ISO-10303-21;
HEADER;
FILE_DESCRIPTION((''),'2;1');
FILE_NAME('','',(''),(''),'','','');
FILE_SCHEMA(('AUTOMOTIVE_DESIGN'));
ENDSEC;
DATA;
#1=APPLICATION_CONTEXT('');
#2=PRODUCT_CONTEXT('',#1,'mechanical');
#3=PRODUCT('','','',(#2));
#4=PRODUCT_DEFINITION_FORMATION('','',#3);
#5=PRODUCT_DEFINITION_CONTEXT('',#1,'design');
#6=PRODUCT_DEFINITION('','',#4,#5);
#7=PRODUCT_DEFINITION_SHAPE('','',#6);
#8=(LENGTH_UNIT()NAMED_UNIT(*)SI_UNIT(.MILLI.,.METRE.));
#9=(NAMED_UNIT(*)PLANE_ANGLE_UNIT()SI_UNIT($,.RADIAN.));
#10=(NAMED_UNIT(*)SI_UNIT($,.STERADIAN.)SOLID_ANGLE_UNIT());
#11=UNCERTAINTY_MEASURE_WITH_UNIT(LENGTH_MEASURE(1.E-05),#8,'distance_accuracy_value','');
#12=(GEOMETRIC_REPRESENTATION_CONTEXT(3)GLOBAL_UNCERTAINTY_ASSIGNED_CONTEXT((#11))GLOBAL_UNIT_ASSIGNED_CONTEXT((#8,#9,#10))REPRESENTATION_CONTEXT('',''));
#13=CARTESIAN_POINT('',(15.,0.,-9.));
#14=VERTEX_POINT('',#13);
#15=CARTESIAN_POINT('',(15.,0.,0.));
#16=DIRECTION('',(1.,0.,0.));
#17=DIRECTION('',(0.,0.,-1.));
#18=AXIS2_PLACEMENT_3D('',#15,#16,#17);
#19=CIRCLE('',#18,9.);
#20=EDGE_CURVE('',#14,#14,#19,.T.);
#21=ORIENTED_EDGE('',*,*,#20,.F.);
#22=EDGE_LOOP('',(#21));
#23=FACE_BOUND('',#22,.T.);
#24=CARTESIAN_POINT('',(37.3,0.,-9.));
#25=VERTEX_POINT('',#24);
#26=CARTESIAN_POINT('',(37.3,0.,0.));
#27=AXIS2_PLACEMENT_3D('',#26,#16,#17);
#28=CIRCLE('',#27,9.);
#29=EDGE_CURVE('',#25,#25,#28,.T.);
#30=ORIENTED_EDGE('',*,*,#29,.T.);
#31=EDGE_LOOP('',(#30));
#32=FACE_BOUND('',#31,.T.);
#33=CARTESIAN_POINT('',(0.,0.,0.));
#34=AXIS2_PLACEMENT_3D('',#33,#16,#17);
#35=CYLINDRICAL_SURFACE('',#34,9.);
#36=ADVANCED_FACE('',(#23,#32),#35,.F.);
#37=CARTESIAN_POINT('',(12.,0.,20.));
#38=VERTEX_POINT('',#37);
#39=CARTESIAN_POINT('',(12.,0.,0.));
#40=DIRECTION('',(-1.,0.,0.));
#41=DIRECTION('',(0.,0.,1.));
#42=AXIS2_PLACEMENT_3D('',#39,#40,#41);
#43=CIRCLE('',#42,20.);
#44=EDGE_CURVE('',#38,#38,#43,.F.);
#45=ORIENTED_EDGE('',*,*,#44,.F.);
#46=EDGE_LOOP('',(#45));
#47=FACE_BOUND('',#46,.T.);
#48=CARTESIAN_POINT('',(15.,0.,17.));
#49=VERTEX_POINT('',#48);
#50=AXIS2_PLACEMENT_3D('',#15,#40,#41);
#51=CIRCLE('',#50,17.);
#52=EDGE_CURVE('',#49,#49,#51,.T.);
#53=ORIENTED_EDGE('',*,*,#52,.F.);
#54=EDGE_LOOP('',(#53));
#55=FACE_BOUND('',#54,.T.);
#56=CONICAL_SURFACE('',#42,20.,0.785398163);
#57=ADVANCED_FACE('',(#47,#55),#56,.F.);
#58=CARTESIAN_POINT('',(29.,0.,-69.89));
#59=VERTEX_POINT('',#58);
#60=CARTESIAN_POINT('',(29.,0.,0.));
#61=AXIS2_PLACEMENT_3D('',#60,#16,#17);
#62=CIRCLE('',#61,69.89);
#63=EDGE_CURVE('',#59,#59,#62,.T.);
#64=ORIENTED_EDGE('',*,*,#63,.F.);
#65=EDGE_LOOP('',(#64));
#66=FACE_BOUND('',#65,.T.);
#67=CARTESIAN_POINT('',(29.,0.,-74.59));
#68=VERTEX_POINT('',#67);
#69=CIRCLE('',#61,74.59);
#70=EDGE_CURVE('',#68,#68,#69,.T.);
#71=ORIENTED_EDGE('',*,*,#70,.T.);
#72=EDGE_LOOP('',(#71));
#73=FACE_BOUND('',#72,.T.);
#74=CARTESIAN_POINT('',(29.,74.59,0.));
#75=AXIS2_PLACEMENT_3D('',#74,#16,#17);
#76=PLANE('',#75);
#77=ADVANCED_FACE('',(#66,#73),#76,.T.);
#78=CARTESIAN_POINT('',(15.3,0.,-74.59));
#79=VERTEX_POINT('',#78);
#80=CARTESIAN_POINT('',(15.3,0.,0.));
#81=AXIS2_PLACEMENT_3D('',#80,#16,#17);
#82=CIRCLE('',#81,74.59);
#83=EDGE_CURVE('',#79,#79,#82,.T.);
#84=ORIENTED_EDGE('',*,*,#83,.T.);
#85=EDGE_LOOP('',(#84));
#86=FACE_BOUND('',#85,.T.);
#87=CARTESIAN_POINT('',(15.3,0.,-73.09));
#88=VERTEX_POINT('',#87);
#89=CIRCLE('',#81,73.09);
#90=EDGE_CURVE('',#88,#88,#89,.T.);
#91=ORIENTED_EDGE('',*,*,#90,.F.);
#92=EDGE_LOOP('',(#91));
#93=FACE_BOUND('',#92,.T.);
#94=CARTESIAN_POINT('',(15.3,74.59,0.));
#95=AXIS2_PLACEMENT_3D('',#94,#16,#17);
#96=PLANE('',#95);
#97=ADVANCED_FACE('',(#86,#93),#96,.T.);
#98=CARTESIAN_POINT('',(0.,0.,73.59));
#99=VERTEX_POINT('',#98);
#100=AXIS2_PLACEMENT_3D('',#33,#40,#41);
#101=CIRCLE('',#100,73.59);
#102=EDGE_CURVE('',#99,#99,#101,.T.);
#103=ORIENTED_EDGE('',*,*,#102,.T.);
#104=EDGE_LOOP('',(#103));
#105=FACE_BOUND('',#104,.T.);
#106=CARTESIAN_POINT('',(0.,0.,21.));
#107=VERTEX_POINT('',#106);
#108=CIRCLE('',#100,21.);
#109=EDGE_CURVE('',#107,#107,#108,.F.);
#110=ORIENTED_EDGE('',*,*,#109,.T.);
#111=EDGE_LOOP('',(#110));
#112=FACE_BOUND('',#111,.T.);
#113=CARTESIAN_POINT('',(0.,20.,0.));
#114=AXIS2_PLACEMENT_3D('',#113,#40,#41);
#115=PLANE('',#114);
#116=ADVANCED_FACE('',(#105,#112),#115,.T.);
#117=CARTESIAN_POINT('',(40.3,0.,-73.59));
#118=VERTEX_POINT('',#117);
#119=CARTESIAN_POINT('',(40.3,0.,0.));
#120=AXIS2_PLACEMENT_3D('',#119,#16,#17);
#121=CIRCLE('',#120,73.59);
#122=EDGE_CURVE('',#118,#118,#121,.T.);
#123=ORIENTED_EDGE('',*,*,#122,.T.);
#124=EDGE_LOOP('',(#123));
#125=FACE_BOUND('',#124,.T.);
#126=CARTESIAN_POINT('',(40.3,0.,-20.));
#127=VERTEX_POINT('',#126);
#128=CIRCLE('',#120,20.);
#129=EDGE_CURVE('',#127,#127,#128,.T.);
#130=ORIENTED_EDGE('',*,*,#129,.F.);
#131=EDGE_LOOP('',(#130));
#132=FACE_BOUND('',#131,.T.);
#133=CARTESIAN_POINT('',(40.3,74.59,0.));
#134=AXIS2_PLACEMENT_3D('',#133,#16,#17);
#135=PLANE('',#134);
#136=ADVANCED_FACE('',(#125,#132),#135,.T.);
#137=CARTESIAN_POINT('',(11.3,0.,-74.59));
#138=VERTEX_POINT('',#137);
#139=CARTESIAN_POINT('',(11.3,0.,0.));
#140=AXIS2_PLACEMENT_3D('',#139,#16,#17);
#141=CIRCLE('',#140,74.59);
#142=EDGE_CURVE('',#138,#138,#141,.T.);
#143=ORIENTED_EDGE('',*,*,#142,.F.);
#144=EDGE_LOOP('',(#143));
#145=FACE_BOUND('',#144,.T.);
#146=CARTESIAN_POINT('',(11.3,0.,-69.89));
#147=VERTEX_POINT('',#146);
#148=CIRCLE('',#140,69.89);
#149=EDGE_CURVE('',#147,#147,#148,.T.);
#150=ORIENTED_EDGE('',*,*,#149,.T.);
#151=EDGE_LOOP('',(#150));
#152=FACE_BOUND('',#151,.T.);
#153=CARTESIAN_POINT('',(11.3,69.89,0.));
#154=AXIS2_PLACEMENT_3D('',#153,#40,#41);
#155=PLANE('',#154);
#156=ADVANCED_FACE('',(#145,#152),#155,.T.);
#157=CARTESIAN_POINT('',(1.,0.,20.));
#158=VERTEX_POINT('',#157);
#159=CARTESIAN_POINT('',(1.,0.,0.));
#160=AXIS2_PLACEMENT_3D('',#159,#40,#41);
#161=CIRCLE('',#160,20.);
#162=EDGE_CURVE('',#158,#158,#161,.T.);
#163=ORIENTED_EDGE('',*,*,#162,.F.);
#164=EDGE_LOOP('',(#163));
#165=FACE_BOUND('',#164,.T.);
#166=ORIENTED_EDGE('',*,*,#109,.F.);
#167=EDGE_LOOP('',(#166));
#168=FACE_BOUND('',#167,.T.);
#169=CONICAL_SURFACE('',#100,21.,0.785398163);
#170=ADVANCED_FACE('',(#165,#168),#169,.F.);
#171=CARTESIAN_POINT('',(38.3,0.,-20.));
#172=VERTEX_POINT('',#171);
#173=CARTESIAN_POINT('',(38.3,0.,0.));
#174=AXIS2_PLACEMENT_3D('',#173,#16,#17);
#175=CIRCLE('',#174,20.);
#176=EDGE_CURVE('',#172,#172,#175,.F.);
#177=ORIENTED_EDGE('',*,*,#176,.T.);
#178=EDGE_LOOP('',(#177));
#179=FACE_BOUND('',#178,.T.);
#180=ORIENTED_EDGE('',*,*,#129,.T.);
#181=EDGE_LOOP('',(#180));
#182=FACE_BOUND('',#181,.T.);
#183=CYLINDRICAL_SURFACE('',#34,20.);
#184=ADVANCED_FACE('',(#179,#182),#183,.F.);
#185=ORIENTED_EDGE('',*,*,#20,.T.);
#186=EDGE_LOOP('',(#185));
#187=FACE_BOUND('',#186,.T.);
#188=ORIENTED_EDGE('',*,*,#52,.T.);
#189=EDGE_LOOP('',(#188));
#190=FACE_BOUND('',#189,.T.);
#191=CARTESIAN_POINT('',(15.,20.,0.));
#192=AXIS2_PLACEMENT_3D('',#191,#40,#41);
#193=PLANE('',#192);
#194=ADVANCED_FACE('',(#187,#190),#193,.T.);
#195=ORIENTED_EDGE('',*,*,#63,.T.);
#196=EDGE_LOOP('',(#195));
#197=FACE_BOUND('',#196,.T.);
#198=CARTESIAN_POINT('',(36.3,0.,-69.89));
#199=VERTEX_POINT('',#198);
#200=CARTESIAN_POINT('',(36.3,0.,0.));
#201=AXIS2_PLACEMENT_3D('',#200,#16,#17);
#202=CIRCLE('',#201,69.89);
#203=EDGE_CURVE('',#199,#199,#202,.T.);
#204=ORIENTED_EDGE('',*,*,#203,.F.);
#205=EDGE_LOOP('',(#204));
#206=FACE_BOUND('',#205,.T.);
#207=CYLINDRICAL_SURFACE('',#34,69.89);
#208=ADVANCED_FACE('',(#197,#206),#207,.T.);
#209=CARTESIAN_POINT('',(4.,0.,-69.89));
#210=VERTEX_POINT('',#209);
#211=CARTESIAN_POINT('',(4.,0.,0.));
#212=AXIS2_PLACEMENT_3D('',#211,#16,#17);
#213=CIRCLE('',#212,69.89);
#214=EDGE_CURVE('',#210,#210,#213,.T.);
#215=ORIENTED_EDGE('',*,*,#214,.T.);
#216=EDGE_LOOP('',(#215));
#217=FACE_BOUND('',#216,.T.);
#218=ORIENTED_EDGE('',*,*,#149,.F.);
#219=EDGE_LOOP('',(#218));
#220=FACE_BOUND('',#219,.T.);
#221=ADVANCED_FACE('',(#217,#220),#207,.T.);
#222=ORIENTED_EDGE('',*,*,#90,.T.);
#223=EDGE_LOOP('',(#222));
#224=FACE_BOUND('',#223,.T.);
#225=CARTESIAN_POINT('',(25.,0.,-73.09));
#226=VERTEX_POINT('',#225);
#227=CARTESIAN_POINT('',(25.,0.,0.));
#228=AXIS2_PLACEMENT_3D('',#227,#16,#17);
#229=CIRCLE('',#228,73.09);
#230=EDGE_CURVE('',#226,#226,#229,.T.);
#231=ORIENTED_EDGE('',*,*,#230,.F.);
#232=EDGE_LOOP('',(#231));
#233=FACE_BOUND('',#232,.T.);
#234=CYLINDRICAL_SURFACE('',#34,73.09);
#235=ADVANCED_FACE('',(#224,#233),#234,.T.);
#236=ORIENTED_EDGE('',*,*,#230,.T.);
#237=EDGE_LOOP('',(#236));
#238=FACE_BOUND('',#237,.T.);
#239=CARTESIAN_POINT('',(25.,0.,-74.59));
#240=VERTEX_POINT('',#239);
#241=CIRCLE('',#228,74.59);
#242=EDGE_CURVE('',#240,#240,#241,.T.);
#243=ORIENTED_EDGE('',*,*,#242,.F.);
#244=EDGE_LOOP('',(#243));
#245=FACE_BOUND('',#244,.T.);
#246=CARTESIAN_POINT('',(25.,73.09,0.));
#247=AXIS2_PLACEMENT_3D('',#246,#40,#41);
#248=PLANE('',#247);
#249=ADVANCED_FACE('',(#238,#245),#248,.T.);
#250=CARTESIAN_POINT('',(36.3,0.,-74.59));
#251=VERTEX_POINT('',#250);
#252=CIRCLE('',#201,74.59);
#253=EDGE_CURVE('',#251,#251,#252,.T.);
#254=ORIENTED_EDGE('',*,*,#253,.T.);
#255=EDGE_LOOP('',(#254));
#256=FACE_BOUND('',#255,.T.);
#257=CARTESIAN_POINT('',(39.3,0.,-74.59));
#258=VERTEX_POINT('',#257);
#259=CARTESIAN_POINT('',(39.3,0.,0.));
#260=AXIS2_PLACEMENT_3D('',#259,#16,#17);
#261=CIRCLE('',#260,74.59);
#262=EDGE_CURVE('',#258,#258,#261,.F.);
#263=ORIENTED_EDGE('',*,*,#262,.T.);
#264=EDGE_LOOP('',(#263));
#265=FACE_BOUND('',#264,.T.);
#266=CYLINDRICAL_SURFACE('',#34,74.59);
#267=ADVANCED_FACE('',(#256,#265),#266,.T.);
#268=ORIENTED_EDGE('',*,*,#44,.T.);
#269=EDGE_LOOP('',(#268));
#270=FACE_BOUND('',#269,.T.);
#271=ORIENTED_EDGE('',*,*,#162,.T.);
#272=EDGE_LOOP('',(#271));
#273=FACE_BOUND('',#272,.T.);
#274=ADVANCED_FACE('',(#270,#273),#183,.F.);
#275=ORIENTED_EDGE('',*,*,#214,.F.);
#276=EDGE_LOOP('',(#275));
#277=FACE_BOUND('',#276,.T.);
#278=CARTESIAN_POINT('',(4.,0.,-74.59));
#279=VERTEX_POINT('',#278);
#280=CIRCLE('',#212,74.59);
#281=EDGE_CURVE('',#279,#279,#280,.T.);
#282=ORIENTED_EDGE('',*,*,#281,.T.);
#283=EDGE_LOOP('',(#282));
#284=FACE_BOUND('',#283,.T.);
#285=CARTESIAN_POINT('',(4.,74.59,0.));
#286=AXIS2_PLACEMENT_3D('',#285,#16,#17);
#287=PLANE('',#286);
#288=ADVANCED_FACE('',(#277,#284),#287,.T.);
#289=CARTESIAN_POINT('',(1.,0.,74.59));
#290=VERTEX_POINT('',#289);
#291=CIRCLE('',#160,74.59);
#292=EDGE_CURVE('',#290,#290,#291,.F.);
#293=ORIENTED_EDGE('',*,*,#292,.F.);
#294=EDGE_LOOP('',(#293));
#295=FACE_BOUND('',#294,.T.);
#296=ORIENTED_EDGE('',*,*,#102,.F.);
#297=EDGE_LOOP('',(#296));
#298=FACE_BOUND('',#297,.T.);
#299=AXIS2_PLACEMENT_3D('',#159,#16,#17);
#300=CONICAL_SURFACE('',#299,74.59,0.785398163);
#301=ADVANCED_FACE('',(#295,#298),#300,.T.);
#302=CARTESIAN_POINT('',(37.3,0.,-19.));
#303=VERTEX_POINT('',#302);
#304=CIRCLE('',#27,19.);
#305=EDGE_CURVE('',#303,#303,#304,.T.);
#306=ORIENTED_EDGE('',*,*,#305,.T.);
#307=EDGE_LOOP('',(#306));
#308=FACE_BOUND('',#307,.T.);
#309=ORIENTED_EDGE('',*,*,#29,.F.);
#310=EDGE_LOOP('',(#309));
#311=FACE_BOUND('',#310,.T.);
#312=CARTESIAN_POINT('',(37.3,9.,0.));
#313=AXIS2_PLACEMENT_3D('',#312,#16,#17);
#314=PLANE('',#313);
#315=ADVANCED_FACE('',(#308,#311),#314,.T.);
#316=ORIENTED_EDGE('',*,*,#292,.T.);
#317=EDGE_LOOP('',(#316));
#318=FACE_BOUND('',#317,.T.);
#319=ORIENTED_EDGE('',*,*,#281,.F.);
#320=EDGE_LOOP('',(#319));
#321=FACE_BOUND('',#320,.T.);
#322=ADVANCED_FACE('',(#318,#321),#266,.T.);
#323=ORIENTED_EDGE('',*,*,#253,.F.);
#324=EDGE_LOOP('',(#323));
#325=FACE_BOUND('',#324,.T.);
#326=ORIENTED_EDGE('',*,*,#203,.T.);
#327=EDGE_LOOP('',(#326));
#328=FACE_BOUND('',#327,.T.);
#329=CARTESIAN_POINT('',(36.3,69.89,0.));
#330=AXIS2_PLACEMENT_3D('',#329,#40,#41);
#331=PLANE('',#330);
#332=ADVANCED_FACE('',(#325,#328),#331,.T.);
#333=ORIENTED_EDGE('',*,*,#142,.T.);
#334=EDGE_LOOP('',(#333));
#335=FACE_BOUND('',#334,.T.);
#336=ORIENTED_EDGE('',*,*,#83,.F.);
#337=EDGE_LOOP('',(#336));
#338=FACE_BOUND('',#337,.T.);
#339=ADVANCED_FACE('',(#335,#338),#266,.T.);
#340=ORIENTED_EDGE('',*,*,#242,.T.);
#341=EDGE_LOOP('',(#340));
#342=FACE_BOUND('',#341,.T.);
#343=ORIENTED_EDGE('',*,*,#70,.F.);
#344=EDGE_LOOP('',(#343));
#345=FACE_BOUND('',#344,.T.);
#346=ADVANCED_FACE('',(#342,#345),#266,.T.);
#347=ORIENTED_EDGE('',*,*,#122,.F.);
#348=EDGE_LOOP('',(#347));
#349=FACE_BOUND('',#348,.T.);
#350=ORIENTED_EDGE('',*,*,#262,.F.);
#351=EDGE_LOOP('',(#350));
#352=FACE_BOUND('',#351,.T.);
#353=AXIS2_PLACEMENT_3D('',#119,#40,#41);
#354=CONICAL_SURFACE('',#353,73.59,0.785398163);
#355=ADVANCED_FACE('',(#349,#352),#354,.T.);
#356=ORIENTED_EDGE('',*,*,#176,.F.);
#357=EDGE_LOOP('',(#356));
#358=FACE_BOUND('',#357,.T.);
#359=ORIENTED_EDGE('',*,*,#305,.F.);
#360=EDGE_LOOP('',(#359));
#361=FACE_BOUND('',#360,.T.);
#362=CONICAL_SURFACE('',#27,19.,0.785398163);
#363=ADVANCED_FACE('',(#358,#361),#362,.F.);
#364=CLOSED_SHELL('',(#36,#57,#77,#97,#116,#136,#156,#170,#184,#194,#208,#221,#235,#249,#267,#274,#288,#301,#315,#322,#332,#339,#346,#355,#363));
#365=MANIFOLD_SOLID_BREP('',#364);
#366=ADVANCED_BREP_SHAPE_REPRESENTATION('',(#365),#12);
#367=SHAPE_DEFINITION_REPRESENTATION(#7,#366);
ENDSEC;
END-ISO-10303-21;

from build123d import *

# Parameters (mm, degrees)
CHAMFER_1_SIZE = 1
CHAMFER_2_SIZE = 3
CHAMFER_3_SIZE = 1


with BuildPart() as part:
    # Эскиз1 → Повернуть1 (revolve)
    with BuildSketch(Plane.XY, mode=Mode.PRIVATE) as revolve_1_sk:
        Polygon((0, 20), (0, 74.59), (4, 74.59), (4, 69.89), (11.3, 69.89), (11.3, 74.59), (15.3, 74.59), (15.3, 73.09), (25, 73.09), (25, 74.59), (29, 74.59), (29, 69.89), (36.3, 69.89), (36.3, 74.59), (40.3, 74.59), (40.3, 20), (37.3, 20), (37.3, 9), (15, 9), (15, 20), align=None)
    revolve(revolve_1_sk.sketch.rotate(Axis((0, 0, 0), (-1, 0, 0)), 90), axis=Axis((0, 0, 0), (-1, 0, 0)))

    # Фаска1
    chamfer_1_edges = [part.edges().sort_by_distance(p)[0] for p in [
        (40.3, 0, 74.59),
        (0, 0, 74.59),
    ]]
    chamfer(chamfer_1_edges, length=CHAMFER_1_SIZE)

    # Фаска2
    chamfer_2_edges = [part.edges().sort_by_distance(p)[0] for p in [
        (15, 0, 20),
    ]]
    chamfer(chamfer_2_edges, length=CHAMFER_2_SIZE)

    # Фаска3
    chamfer_3_edges = [part.edges().sort_by_distance(p)[0] for p in [
        (37.3, 0, 20),
        (0, 0, 20),
    ]]
    chamfer(chamfer_3_edges, length=CHAMFER_3_SIZE)


solid = part.part
